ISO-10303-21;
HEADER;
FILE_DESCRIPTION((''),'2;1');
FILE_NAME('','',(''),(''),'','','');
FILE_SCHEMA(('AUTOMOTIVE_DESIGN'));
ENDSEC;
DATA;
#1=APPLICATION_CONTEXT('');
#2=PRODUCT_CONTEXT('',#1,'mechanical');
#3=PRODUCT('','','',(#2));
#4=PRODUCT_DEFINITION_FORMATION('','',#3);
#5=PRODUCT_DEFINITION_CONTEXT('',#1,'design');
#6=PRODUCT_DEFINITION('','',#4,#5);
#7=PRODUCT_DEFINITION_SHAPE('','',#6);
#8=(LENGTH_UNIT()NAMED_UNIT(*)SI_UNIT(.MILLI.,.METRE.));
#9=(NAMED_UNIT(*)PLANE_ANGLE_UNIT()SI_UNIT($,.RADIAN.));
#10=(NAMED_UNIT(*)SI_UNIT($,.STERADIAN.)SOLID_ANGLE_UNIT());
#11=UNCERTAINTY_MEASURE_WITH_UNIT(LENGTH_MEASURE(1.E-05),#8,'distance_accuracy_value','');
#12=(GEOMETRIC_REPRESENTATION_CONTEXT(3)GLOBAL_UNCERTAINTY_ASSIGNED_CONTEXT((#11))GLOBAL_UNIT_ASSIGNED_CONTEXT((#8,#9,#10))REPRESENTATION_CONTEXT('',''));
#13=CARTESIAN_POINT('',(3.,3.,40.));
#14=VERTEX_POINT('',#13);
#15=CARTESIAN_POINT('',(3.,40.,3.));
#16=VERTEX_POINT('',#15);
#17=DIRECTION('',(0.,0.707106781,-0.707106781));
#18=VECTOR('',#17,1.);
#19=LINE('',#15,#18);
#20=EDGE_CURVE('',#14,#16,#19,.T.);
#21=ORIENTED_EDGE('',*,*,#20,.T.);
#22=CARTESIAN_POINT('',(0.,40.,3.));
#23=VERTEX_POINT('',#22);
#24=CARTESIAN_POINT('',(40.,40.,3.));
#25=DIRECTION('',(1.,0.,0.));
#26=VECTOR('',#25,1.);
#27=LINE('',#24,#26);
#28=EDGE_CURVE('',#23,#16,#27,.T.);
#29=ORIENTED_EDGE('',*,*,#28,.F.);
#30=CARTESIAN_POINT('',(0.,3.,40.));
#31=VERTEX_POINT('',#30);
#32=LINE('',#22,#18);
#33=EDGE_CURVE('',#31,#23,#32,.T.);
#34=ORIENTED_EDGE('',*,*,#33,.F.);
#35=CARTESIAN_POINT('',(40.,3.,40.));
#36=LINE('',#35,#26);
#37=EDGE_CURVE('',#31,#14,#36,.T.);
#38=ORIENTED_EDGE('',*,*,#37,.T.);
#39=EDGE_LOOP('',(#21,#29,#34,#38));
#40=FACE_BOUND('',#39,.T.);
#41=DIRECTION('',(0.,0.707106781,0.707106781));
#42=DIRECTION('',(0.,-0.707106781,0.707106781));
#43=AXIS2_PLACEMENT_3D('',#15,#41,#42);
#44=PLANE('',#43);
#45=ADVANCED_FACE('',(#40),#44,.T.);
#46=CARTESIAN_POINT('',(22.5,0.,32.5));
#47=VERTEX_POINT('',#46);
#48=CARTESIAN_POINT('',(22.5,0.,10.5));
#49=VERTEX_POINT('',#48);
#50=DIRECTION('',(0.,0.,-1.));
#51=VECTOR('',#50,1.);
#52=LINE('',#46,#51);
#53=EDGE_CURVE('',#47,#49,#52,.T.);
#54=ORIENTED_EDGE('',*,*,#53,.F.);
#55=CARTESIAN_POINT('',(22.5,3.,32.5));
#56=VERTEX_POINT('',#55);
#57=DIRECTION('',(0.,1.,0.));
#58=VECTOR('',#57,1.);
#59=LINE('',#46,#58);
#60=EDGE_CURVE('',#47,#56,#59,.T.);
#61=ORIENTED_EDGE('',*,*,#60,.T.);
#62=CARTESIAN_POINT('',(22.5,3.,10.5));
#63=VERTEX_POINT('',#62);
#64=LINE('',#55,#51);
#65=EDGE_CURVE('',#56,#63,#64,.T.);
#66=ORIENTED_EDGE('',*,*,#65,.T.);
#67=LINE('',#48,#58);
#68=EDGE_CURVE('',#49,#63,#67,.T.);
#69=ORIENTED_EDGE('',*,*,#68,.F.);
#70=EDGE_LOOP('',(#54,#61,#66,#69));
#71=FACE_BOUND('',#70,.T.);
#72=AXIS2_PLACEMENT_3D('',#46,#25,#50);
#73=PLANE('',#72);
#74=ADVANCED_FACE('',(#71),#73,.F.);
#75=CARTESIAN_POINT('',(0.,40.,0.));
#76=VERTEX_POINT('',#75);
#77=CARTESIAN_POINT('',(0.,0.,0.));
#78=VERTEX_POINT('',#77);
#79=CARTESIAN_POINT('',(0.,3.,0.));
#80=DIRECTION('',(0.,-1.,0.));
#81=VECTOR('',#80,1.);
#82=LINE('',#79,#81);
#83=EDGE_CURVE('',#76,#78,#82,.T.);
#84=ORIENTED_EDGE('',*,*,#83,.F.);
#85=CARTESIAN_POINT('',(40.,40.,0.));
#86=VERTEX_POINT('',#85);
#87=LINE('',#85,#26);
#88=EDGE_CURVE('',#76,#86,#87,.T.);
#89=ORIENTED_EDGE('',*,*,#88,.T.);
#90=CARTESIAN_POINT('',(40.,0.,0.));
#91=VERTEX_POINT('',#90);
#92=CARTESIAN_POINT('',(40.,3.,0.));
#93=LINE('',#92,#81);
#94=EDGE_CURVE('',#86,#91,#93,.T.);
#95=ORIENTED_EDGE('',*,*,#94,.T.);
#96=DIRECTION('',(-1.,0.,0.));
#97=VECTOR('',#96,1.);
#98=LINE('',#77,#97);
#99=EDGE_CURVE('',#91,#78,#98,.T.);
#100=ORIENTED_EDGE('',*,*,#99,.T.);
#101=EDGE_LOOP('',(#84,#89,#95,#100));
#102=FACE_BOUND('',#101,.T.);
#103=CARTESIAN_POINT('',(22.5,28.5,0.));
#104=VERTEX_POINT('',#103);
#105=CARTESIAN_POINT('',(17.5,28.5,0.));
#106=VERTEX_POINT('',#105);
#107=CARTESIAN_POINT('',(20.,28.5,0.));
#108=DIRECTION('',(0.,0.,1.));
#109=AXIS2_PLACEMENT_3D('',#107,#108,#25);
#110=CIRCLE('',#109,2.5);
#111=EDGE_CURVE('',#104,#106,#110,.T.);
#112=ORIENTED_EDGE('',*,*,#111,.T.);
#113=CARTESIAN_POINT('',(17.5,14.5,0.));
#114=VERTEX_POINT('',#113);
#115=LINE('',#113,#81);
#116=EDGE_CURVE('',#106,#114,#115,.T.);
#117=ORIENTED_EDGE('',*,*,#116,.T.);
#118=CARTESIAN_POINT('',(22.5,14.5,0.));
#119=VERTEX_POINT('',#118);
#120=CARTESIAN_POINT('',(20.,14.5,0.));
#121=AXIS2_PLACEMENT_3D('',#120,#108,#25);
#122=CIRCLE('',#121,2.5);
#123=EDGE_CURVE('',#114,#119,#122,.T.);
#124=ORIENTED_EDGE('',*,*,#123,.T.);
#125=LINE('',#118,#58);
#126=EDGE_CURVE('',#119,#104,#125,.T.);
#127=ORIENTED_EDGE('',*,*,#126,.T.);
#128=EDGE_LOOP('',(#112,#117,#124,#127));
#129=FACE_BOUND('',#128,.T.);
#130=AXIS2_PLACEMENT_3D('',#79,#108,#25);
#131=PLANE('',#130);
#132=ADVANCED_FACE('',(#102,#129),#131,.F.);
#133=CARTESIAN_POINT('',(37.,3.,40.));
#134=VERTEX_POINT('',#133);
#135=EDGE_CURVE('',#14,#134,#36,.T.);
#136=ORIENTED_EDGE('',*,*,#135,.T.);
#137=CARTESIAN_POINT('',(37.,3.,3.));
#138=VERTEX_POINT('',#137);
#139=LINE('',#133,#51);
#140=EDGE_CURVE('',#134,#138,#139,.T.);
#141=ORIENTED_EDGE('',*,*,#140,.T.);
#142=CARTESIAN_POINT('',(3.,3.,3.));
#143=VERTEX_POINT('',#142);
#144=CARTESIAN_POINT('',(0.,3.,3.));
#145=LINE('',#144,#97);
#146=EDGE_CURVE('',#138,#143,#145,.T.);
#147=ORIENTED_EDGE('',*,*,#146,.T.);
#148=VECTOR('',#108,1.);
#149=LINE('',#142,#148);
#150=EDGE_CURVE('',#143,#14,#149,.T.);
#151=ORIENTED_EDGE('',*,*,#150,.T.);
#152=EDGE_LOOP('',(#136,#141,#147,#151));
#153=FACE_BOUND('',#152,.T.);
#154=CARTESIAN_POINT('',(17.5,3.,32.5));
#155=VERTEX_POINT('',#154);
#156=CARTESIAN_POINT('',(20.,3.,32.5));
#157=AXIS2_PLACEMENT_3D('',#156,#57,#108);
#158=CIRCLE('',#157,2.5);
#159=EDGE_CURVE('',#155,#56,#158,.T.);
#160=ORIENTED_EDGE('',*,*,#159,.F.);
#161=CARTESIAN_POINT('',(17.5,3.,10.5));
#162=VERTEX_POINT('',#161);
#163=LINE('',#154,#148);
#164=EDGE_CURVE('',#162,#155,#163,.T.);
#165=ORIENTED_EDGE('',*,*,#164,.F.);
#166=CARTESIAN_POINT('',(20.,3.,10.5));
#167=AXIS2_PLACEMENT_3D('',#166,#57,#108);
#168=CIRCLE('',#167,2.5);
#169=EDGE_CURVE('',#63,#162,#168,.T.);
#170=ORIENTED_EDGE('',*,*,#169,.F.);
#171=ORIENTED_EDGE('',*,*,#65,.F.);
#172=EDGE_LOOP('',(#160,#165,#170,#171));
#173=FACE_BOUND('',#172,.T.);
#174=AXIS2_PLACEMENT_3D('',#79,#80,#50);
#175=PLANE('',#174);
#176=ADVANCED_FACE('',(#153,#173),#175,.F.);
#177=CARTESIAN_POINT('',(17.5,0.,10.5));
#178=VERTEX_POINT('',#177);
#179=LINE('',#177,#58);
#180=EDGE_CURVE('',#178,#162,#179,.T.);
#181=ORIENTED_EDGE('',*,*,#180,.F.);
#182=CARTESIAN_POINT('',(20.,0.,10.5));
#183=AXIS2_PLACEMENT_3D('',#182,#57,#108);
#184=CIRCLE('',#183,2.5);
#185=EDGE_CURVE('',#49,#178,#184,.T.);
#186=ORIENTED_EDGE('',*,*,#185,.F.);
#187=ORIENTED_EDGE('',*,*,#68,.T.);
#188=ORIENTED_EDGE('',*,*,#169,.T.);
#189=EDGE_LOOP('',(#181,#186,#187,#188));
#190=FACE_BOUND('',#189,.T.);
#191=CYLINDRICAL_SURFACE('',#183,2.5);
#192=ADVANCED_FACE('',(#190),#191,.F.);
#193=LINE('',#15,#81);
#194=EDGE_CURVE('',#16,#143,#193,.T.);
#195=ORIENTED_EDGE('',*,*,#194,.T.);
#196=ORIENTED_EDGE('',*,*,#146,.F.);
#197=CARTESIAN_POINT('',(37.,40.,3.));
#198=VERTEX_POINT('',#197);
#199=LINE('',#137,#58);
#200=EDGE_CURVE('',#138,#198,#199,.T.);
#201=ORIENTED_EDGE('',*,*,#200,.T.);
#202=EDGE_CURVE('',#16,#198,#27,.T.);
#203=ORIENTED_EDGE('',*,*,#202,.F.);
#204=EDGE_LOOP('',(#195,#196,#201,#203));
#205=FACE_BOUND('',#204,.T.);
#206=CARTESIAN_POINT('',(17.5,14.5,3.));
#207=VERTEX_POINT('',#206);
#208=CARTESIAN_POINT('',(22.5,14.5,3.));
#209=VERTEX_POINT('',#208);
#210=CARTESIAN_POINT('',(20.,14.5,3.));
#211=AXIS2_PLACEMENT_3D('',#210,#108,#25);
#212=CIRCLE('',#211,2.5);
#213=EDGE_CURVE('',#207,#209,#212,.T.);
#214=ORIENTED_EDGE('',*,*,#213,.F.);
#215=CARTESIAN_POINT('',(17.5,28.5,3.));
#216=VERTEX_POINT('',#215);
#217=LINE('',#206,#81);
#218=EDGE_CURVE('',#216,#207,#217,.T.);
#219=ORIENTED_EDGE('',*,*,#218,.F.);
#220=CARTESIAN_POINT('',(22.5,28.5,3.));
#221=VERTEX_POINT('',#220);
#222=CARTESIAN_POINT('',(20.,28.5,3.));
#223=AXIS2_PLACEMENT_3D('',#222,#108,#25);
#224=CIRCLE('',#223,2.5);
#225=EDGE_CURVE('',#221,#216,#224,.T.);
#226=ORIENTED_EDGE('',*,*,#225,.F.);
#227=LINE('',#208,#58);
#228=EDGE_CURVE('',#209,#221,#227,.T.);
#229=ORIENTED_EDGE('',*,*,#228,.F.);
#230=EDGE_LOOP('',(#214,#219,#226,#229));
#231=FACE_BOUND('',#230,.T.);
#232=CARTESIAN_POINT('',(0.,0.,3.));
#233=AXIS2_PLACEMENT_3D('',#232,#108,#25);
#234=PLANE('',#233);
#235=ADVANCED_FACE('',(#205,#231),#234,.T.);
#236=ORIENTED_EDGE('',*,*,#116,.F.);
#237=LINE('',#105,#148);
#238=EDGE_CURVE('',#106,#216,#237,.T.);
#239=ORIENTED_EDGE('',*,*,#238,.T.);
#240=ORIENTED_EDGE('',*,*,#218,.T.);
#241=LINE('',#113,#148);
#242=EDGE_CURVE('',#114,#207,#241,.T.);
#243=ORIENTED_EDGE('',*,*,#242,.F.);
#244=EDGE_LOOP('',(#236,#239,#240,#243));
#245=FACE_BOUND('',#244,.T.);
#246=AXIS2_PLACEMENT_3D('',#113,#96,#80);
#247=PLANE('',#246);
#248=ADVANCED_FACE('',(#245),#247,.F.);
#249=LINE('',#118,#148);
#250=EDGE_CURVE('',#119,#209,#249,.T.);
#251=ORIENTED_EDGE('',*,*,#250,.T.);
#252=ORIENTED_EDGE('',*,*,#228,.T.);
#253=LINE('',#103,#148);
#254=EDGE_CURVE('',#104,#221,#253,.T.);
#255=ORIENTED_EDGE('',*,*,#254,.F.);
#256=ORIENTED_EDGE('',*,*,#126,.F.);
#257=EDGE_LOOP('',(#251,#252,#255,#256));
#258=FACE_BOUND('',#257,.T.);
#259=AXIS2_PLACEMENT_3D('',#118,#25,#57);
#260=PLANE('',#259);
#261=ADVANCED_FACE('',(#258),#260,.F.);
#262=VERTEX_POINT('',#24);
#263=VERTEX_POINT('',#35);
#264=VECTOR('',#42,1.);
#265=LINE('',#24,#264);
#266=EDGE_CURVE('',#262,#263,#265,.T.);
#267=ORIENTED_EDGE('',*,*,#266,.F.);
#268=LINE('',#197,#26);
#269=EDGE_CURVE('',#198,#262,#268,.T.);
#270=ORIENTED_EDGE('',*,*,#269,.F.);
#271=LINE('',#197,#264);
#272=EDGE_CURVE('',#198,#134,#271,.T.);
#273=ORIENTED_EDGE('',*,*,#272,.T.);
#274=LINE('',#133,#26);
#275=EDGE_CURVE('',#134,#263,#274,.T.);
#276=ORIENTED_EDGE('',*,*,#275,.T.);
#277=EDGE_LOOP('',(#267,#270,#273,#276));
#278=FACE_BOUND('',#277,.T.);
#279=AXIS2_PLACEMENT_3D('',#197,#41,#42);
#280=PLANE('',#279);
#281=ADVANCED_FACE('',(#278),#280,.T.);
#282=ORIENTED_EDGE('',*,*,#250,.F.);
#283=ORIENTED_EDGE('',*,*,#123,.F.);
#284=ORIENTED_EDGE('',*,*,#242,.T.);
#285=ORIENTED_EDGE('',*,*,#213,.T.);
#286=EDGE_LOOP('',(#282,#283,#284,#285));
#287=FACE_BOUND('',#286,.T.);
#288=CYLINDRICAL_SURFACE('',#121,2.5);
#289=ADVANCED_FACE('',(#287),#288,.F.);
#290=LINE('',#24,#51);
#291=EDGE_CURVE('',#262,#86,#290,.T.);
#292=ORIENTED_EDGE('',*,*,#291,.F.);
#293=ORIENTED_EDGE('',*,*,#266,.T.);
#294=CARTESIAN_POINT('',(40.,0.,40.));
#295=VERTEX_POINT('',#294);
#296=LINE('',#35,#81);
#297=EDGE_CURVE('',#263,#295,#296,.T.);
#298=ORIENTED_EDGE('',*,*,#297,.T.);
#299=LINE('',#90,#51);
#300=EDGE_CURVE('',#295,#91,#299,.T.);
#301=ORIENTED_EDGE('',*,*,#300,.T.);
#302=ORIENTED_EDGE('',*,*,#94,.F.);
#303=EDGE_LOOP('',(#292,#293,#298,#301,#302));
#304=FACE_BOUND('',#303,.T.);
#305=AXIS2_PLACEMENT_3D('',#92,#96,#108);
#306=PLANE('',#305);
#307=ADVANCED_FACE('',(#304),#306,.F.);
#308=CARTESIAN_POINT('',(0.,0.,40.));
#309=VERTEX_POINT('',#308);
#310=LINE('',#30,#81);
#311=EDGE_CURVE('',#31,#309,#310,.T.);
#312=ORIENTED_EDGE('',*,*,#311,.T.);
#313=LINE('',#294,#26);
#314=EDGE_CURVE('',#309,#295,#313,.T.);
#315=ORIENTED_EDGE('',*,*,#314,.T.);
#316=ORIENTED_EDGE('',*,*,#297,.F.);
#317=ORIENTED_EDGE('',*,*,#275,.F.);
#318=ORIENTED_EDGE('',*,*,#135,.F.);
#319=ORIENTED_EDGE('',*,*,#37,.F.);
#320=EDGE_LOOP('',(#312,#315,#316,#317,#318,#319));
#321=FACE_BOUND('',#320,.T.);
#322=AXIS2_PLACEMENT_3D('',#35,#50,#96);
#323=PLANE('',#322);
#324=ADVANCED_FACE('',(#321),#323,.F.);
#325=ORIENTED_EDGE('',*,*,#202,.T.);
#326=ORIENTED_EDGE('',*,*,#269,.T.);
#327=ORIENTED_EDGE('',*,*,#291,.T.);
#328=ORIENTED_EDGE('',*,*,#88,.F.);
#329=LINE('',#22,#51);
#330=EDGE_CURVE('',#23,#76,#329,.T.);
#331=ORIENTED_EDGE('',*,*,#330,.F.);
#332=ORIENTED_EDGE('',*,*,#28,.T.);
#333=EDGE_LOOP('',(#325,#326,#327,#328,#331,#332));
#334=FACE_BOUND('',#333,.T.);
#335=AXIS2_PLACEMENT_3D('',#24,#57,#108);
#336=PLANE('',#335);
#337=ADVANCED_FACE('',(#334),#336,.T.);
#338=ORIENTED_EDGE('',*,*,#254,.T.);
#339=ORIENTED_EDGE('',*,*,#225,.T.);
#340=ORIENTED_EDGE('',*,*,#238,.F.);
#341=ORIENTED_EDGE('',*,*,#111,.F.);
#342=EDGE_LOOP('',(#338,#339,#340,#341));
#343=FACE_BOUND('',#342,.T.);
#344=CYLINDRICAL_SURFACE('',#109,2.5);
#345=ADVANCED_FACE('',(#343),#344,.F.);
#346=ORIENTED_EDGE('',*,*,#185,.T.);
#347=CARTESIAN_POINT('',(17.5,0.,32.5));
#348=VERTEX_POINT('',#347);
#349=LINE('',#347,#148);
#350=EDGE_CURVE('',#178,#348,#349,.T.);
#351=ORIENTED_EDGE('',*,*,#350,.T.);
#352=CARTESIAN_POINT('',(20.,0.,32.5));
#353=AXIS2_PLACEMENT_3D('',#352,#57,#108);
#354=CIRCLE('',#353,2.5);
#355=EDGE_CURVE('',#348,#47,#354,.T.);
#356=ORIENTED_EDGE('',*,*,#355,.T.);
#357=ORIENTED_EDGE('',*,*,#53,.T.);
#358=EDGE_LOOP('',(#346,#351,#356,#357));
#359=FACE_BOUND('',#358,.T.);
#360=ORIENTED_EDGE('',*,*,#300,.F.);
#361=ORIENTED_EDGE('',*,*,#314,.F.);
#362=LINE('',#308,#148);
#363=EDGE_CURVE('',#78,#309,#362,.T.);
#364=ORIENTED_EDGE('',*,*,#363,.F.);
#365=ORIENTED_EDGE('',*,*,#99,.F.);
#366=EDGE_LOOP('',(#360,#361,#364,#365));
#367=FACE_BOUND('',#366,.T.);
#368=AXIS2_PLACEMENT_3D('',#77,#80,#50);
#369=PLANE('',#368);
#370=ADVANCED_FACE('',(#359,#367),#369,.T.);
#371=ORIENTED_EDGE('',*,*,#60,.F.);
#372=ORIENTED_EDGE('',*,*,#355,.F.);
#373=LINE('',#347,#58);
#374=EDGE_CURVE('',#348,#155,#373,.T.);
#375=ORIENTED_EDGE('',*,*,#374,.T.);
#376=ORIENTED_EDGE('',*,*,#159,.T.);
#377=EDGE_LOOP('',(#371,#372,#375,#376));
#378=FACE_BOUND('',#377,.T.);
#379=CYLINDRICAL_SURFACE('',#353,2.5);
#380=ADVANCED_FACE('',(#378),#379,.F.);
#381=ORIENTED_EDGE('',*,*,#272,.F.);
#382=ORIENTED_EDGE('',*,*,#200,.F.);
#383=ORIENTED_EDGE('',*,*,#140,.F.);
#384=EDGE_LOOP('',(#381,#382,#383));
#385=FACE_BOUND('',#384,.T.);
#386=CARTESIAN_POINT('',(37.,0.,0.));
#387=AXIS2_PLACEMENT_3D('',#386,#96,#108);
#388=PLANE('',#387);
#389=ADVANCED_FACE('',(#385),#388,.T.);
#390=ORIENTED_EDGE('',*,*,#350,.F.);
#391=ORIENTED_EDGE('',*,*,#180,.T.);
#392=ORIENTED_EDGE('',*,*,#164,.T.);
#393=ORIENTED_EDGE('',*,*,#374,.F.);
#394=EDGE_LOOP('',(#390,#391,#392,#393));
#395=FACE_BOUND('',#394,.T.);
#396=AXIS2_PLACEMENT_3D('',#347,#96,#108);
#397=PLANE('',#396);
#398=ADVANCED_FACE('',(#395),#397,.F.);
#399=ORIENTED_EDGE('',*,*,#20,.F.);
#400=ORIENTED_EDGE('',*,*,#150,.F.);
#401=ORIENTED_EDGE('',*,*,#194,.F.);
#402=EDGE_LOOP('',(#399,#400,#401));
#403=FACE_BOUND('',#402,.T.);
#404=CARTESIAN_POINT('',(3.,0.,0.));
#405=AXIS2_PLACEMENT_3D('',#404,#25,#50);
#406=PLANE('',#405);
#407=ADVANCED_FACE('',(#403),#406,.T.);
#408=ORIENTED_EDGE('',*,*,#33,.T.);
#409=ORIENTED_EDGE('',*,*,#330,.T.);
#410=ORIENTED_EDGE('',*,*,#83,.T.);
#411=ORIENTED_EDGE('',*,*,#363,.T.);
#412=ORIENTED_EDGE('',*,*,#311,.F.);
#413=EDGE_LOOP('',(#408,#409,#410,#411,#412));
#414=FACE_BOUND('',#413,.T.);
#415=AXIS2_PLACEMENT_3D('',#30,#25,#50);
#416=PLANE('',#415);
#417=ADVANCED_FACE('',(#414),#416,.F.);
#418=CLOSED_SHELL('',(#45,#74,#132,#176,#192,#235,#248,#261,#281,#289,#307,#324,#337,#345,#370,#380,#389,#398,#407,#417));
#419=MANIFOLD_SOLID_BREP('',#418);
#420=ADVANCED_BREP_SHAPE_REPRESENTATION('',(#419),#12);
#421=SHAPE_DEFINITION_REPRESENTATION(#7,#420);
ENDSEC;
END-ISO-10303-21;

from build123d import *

# Parameters (mm, degrees)
SKETCH1_W           = 40
SKETCH1_H           = 40
BOSS_EXTRUDE1_DEPTH = 3
SKETCH2_W           = 40
SKETCH2_H           = 37
BOSS_EXTRUDE2_DEPTH = 3
BOSS_EXTRUDE3_DEPTH = 3
BOSS_EXTRUDE4_DEPTH = 3
CUT_EXTRUDE1_DEPTH  = 3
CUT_EXTRUDE2_DEPTH  = 3


with BuildPart() as part:
    # Sketch1 → Boss-Extrude1 (new body)
    with BuildSketch(Plane(origin=(0, 0, 0), x_dir=(1, 0, 0), z_dir=(0, 1, 0))):
        with Locations((20, -20)):
            Rectangle(SKETCH1_W, SKETCH1_H)
    extrude(amount=BOSS_EXTRUDE1_DEPTH)

    # Sketch2 → Boss-Extrude2 (add)
    with BuildSketch(Plane(origin=(0, 0, 0), x_dir=(-1, 0, 0), z_dir=(0, 0, -1))):
        with Locations((-20, 21.5)):
            Rectangle(SKETCH2_W, SKETCH2_H)
    extrude(amount=-BOSS_EXTRUDE2_DEPTH)

    # Sketch3 → Boss-Extrude3 (add)
    with BuildSketch(Plane.ZY):
        Polygon((3, 40), (3, 3), (40, 3), align=None)
    extrude(amount=-BOSS_EXTRUDE3_DEPTH)

    # Sketch4 → Boss-Extrude4 (add)
    with BuildSketch(Plane(origin=(40, 0, 0), x_dir=(0, 0, -1), z_dir=(1, 0, 0))):
        Polygon((-40, 3), (-3, 3), (-3, 40), align=None)
    extrude(amount=-BOSS_EXTRUDE4_DEPTH)

    # Sketch5 → Cut-Extrude1 (cut)
    with BuildSketch(Plane.XY.offset(3)):
        with BuildLine():
            Line((17.5, 14.5), (17.5, 28.5))
            ThreePointArc((17.5, 28.5), (20, 31), (22.5, 28.5))
            Line((22.5, 28.5), (22.5, 14.5))
            ThreePointArc((22.5, 14.5), (20, 12), (17.5, 14.5))
        make_face()
    extrude(amount=-CUT_EXTRUDE1_DEPTH, mode=Mode.SUBTRACT)

    # Sketch6 → Cut-Extrude2 (cut)
    with BuildSketch(Plane(origin=(0, 3, 0), x_dir=(1, 0, 0), z_dir=(0, 1, 0))):
        with BuildLine():
            Line((17.5, -32.5), (17.5, -10.5))
            ThreePointArc((17.5, -10.5), (20, -8), (22.5, -10.5))
            Line((22.5, -10.5), (22.5, -32.5))
            ThreePointArc((22.5, -32.5), (20, -35), (17.5, -32.5))
        make_face()
    extrude(amount=-CUT_EXTRUDE2_DEPTH, mode=Mode.SUBTRACT)


solid = part.part
